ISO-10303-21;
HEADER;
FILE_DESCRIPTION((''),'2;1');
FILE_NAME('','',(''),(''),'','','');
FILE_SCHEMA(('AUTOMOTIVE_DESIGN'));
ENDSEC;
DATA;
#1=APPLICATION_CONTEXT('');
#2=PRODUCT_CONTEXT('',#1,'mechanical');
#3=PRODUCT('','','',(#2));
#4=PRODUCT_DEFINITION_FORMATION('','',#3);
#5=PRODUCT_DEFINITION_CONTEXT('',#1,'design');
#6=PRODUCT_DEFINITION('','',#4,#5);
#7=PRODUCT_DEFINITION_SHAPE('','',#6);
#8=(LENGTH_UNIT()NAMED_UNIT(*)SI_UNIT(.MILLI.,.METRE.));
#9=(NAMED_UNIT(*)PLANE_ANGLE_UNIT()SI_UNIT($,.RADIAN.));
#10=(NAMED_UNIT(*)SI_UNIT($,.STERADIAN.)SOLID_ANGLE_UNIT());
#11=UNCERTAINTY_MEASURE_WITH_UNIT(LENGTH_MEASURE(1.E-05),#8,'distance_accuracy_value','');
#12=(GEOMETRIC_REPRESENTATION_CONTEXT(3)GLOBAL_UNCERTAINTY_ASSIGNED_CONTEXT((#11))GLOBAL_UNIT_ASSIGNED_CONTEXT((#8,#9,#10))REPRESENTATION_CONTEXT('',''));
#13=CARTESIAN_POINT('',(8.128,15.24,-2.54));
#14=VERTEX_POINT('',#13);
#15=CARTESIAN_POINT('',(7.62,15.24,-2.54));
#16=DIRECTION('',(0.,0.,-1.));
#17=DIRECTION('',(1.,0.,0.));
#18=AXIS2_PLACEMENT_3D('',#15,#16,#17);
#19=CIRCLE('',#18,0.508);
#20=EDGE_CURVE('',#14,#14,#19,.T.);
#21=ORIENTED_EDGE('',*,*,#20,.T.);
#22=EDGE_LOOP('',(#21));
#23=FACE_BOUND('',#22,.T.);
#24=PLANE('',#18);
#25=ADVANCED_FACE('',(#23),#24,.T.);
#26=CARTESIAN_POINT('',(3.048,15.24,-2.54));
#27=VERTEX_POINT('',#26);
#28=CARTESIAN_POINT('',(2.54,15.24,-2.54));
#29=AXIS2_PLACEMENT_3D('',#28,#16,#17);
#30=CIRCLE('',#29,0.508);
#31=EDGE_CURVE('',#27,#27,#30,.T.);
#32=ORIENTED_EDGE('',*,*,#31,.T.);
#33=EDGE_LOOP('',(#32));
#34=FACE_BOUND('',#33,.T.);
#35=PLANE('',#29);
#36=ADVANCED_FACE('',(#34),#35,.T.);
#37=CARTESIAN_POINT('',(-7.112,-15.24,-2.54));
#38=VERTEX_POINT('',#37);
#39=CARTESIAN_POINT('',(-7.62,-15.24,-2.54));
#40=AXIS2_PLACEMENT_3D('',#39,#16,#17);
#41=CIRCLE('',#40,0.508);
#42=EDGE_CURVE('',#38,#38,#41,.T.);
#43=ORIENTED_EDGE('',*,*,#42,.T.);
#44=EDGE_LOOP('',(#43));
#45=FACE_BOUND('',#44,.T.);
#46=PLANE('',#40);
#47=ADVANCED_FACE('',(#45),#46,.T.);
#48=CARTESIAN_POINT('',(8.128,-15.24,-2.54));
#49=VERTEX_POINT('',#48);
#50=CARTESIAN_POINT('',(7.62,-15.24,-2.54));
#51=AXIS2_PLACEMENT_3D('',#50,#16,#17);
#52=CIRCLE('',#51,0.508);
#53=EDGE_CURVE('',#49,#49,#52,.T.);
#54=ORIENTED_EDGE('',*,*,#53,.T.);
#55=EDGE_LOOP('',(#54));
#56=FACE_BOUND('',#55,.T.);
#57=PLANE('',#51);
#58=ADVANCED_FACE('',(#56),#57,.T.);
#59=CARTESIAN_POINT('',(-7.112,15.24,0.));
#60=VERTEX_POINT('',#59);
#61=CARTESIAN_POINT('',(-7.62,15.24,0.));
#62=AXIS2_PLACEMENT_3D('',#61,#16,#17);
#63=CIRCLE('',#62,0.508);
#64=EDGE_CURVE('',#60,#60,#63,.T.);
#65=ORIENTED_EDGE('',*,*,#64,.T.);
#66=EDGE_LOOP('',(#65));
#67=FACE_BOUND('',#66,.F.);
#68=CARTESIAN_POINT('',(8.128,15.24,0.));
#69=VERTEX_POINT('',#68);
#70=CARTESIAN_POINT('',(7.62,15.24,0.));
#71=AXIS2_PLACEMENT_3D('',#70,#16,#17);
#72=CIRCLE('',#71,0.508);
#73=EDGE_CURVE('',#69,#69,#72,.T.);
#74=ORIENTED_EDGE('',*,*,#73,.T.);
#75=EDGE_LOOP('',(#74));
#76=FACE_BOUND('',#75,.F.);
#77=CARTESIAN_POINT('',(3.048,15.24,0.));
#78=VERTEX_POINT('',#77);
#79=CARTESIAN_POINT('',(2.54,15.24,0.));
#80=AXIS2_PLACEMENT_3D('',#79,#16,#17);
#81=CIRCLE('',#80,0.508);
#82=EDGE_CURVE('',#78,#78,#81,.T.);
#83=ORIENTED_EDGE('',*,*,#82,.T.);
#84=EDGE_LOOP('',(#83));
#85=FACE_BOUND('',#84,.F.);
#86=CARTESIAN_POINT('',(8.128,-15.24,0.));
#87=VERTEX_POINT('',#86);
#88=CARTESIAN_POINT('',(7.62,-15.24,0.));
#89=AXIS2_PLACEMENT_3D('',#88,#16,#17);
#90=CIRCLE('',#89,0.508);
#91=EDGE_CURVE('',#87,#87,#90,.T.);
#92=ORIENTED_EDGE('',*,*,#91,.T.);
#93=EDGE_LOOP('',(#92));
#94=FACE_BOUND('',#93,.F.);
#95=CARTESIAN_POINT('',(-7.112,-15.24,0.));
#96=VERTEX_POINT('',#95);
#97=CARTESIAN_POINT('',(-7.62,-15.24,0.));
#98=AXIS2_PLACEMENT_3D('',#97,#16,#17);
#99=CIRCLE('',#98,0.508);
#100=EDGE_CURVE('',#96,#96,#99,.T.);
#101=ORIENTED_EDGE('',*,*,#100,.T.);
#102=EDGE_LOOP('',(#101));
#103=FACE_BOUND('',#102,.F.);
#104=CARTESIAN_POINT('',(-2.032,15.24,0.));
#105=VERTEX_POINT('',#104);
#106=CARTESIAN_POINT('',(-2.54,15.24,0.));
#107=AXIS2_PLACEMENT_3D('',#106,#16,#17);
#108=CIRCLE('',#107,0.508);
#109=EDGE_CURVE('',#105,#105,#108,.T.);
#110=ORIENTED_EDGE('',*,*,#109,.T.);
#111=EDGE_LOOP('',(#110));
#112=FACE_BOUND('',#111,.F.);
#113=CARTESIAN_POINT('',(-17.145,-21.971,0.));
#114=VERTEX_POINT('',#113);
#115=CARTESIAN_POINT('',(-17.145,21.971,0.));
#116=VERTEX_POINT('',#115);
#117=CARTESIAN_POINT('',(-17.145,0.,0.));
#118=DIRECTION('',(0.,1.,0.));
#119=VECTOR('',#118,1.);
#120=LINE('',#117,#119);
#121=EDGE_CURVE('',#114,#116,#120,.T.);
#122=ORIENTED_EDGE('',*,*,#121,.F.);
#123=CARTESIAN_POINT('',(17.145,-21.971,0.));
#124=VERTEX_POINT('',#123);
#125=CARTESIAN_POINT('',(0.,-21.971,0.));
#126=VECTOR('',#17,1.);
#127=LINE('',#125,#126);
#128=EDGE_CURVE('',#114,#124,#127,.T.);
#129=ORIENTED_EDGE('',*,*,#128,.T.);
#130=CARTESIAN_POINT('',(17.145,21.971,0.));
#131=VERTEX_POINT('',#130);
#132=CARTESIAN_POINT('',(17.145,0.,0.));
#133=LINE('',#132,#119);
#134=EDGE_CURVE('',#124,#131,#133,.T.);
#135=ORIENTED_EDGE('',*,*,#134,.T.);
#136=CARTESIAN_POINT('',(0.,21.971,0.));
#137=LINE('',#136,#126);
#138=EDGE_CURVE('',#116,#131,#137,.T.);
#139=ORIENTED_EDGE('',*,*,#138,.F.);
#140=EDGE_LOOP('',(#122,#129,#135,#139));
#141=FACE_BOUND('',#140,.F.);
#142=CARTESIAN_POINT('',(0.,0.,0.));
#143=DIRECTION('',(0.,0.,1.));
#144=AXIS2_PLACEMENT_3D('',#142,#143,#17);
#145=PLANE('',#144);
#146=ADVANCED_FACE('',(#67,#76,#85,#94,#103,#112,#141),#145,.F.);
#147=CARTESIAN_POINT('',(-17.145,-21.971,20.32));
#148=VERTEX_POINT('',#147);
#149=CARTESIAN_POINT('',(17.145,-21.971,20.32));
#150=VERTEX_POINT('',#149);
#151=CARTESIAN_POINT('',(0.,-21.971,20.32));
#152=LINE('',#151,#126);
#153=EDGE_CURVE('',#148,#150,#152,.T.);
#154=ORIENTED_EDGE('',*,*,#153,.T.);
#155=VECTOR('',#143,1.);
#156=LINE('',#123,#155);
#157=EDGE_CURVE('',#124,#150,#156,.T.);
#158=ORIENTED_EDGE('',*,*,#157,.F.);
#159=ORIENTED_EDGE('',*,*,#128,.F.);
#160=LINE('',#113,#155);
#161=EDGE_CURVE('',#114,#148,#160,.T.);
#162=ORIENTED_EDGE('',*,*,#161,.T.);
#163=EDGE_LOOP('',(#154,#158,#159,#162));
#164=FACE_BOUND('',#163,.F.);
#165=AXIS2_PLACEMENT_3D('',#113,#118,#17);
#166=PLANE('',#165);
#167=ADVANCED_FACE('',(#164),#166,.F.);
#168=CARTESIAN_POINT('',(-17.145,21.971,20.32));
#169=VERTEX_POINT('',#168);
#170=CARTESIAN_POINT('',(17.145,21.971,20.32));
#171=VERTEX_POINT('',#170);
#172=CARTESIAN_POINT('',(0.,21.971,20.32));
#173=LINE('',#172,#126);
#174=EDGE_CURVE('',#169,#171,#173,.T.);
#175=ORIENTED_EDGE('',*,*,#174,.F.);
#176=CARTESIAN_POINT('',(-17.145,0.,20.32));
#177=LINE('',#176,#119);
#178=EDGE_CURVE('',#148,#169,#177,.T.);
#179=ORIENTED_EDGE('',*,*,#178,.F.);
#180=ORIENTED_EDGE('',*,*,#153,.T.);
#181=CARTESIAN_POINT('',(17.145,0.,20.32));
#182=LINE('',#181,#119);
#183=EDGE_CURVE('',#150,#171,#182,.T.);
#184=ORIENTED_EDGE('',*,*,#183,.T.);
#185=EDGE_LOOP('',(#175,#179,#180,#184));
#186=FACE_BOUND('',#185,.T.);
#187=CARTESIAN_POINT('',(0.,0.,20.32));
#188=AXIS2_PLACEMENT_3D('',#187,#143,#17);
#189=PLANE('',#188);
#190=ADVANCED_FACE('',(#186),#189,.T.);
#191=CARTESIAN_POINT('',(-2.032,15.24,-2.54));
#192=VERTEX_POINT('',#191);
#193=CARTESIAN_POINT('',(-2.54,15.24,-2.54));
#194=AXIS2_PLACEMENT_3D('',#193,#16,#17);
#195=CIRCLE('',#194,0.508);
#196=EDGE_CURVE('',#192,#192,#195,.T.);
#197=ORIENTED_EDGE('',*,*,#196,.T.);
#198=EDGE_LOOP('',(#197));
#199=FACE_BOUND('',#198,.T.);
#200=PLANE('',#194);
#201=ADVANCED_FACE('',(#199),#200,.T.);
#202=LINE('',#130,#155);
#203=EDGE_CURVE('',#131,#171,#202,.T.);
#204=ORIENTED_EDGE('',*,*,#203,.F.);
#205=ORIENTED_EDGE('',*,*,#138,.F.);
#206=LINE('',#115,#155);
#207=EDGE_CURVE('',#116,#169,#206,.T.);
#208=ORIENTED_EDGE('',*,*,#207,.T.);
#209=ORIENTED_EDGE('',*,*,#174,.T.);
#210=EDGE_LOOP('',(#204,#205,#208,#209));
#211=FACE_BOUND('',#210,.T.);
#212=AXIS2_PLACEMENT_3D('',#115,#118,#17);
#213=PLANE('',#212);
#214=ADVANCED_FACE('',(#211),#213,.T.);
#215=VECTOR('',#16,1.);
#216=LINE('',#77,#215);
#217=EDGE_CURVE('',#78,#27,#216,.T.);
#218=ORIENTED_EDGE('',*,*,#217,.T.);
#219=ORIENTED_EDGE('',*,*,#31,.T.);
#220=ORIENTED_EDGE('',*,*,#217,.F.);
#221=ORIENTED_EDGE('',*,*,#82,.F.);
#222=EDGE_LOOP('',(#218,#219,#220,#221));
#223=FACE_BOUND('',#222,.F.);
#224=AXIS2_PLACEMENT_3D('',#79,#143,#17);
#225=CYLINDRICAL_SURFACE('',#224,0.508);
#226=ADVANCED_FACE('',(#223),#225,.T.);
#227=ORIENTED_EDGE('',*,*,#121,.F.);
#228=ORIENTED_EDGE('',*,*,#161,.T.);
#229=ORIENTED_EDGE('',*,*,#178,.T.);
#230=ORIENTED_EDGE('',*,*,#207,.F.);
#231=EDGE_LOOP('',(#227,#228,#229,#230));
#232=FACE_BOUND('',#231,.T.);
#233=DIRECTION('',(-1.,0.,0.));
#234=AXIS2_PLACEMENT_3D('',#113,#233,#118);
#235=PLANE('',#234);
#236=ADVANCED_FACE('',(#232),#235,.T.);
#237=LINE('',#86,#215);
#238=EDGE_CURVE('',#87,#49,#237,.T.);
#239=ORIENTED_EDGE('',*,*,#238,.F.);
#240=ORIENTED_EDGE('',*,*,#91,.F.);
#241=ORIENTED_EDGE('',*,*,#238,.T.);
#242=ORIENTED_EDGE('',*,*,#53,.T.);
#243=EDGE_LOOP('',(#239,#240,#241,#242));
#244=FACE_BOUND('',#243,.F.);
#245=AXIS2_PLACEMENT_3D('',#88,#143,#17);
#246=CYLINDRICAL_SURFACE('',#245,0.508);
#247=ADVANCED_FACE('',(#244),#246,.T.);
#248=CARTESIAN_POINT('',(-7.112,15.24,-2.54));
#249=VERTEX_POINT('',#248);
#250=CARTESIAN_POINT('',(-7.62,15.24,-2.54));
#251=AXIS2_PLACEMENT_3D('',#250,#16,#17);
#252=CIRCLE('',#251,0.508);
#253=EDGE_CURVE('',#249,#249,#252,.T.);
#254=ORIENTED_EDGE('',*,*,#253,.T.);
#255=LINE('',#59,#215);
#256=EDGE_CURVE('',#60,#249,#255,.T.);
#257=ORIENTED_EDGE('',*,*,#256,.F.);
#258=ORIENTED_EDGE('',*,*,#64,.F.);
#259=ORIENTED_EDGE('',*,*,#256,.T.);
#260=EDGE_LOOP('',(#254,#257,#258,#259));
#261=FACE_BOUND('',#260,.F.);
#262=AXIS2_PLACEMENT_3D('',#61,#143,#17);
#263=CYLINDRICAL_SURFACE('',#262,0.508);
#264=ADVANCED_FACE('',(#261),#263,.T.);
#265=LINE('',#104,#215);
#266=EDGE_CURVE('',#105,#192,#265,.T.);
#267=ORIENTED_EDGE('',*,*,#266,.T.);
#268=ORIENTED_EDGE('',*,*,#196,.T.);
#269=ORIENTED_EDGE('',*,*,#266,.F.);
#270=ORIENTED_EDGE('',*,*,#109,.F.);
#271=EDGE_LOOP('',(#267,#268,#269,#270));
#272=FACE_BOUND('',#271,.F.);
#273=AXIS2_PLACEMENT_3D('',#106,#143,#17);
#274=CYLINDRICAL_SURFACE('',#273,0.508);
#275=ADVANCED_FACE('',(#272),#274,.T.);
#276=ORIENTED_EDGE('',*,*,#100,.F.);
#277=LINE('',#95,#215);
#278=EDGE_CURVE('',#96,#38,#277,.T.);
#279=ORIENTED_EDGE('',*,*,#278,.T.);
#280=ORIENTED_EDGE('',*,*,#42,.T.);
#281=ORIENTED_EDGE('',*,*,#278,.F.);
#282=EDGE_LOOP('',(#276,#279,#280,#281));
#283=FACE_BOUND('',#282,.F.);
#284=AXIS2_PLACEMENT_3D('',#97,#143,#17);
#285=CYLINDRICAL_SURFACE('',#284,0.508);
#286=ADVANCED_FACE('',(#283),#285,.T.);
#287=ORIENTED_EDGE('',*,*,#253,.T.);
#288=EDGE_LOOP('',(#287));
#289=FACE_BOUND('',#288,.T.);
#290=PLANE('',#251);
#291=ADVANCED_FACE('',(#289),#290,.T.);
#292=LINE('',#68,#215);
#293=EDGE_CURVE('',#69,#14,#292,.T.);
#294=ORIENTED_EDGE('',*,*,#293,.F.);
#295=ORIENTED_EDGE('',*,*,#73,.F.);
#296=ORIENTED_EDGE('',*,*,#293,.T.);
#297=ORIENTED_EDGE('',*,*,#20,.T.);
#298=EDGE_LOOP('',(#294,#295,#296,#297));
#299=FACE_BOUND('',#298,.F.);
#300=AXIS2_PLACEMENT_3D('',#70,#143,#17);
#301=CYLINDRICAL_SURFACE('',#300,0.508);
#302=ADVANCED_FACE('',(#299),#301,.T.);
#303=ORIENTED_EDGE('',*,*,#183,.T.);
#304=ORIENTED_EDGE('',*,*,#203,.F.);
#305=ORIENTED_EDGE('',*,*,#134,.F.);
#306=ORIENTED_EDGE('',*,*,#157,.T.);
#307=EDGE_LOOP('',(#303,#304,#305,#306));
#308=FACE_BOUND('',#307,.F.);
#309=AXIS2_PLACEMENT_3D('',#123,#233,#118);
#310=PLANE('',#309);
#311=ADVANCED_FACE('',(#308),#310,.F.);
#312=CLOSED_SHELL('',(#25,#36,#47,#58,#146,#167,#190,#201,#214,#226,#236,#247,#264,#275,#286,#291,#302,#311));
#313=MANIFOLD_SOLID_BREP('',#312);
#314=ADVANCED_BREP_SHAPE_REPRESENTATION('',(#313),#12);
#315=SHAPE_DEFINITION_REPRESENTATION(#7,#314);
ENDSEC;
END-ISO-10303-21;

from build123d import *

# Parameters (mm, degrees)
F0_W     = 34.29
F0_H     = 43.942
F1_DEPTH = 20.32
F2_R     = 0.508
F3_DEPTH = 2.54


with BuildPart() as f1:
    # F0 (on Top) → F1 (new body)
    with BuildSketch(Plane.XY):
        Rectangle(F0_W, F0_H)
    extrude(amount=F1_DEPTH)

    # F2 (on face) → F3 (join)
    with BuildSketch(Plane(origin=(0, 0, 0), x_dir=(1, 0, 0), z_dir=(0, 0, -1))):
        with Locations((-7.62, 15.24)):
            Circle(F2_R)
        with Locations((7.62, 15.24)):
            Circle(F2_R)
        with Locations((-7.62, -15.24)):
            Circle(F2_R)
        with Locations((-2.54, -15.24)):
            Circle(F2_R)
        with Locations((2.54, -15.24)):
            Circle(F2_R)
        with Locations((7.62, -15.24)):
            Circle(F2_R)
    extrude(amount=F3_DEPTH)


solid = f1.part
